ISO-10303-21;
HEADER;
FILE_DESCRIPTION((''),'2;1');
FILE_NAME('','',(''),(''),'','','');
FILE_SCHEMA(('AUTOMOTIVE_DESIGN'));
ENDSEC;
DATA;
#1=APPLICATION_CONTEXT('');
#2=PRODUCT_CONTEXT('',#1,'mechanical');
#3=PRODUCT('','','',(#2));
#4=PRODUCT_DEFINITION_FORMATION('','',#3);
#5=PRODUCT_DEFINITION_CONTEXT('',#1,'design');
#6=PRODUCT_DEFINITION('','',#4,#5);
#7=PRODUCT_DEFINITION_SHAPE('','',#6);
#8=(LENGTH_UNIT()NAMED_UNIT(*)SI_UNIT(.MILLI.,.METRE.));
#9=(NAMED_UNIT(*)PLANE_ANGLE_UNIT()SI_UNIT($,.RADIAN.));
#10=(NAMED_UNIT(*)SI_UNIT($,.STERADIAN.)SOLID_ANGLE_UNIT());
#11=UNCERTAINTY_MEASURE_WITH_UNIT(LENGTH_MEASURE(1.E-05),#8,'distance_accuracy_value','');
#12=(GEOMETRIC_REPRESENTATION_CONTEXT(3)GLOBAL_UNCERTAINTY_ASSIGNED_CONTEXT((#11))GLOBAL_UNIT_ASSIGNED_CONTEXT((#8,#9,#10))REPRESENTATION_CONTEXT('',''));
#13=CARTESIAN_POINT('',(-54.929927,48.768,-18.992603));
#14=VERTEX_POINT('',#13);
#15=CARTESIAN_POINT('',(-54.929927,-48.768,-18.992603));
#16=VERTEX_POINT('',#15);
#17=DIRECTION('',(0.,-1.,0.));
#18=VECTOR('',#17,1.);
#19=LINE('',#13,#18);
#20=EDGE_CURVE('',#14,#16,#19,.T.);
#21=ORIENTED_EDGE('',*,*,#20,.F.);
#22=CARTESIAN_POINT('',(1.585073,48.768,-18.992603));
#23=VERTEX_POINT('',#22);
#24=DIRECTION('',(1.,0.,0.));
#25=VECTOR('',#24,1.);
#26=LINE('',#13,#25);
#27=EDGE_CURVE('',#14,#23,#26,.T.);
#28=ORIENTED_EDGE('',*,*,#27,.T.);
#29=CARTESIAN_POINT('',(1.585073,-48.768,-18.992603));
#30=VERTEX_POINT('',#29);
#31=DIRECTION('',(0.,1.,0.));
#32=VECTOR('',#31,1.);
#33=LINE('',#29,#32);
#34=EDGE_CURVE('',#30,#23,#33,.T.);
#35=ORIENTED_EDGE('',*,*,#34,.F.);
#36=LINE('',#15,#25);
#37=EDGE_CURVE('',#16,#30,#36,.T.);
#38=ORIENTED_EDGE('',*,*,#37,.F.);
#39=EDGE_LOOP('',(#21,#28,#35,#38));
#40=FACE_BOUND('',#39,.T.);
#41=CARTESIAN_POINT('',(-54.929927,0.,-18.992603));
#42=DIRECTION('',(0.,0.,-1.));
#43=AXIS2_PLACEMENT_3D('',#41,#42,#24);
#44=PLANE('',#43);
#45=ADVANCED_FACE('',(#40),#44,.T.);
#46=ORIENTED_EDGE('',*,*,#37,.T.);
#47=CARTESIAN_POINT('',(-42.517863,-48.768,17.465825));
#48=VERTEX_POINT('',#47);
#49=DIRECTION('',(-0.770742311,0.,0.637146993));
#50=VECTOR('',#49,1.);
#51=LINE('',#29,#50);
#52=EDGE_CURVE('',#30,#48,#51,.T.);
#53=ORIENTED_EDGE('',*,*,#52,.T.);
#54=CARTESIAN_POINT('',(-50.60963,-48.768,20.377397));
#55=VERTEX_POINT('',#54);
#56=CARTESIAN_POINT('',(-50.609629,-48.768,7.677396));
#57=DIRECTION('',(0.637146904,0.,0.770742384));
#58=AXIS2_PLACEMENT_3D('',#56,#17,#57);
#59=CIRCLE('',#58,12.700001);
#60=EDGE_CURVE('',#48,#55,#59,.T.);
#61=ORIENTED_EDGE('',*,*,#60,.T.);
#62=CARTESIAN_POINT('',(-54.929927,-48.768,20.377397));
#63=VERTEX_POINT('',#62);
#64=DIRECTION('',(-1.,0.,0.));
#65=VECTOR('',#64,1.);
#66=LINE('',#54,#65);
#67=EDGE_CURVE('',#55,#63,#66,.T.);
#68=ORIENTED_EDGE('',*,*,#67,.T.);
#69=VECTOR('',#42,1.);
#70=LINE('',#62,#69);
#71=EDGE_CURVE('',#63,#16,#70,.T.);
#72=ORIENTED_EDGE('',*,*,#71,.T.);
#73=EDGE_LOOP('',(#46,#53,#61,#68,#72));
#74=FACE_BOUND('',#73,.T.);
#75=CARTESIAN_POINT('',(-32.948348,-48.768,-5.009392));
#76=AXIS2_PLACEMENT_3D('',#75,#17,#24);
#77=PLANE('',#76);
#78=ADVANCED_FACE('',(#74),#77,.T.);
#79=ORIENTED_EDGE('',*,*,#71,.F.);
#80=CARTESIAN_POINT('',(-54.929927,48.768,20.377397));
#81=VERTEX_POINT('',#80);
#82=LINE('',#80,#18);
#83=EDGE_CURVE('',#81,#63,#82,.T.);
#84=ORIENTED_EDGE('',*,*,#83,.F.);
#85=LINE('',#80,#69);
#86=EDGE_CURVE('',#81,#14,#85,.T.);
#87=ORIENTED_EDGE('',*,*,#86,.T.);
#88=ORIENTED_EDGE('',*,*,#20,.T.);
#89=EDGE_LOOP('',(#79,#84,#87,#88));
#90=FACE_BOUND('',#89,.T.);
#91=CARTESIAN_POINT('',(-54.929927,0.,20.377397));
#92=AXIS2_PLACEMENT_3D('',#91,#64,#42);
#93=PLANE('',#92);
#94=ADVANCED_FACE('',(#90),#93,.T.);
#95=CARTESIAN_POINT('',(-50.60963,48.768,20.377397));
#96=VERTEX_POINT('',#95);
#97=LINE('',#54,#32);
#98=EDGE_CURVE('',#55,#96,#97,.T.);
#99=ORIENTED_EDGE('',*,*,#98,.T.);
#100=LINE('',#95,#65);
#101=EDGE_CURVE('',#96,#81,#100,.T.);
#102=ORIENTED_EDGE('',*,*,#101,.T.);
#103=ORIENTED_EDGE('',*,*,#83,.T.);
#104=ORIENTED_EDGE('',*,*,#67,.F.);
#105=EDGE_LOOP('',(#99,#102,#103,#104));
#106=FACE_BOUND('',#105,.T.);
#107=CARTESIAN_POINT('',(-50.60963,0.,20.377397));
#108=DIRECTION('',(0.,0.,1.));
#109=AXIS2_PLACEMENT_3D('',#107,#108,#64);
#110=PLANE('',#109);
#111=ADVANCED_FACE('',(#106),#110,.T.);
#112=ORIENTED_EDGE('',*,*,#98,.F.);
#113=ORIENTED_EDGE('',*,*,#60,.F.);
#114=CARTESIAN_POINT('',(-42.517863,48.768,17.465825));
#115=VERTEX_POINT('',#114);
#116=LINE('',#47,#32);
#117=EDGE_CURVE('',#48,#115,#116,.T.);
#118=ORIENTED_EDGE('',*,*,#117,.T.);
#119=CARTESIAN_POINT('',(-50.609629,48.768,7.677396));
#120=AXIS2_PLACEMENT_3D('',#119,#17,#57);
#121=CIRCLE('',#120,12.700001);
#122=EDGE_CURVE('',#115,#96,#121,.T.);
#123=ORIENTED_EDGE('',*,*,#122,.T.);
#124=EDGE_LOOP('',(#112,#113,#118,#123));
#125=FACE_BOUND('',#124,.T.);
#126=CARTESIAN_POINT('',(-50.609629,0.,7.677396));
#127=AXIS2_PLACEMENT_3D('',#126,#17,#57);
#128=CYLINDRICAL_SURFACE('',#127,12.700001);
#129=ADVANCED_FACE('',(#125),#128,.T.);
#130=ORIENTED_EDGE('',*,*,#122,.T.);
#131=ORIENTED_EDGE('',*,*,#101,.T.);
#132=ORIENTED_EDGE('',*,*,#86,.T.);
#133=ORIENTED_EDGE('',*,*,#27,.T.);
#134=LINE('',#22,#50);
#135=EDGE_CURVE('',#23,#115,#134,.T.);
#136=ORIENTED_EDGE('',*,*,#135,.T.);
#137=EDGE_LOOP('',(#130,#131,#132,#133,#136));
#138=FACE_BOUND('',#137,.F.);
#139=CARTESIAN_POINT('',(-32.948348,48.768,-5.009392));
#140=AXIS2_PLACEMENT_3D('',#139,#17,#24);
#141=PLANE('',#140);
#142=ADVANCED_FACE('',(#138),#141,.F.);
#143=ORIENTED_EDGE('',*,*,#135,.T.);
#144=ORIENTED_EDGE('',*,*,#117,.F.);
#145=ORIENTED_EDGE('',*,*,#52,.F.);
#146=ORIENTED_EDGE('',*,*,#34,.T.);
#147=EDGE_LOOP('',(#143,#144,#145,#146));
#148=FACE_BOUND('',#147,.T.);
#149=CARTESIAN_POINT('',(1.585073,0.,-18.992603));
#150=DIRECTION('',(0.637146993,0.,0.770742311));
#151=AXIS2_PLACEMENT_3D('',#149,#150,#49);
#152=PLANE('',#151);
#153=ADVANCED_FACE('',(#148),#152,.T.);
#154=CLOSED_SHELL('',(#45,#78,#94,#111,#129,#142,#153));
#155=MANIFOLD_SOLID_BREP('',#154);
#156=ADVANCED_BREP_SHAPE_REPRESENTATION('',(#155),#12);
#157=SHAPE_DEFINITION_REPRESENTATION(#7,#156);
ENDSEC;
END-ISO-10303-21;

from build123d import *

# Parameters (mm, degrees)
F1_DEPTH = 48.768


with BuildPart() as f1:
    # F0 (on Front) → F1 (new body, symmetric)
    with BuildSketch(Plane.XZ):
        with BuildLine():
            Line((-50.60963, 20.377397), (-54.929927, 20.377397))
            Line((-54.929927, 20.377397), (-54.929927, -18.992603))
            Line((-54.929927, -18.992603), (1.585073, -18.992603))
            Line((1.585073, -18.992603), (-42.517863, 17.465825))
            ThreePointArc((-42.517863, 17.465825), (-46.309806, 19.627356), (-50.60963, 20.377397))
        make_face()
    extrude(amount=F1_DEPTH, both=True)


solid = f1.part
